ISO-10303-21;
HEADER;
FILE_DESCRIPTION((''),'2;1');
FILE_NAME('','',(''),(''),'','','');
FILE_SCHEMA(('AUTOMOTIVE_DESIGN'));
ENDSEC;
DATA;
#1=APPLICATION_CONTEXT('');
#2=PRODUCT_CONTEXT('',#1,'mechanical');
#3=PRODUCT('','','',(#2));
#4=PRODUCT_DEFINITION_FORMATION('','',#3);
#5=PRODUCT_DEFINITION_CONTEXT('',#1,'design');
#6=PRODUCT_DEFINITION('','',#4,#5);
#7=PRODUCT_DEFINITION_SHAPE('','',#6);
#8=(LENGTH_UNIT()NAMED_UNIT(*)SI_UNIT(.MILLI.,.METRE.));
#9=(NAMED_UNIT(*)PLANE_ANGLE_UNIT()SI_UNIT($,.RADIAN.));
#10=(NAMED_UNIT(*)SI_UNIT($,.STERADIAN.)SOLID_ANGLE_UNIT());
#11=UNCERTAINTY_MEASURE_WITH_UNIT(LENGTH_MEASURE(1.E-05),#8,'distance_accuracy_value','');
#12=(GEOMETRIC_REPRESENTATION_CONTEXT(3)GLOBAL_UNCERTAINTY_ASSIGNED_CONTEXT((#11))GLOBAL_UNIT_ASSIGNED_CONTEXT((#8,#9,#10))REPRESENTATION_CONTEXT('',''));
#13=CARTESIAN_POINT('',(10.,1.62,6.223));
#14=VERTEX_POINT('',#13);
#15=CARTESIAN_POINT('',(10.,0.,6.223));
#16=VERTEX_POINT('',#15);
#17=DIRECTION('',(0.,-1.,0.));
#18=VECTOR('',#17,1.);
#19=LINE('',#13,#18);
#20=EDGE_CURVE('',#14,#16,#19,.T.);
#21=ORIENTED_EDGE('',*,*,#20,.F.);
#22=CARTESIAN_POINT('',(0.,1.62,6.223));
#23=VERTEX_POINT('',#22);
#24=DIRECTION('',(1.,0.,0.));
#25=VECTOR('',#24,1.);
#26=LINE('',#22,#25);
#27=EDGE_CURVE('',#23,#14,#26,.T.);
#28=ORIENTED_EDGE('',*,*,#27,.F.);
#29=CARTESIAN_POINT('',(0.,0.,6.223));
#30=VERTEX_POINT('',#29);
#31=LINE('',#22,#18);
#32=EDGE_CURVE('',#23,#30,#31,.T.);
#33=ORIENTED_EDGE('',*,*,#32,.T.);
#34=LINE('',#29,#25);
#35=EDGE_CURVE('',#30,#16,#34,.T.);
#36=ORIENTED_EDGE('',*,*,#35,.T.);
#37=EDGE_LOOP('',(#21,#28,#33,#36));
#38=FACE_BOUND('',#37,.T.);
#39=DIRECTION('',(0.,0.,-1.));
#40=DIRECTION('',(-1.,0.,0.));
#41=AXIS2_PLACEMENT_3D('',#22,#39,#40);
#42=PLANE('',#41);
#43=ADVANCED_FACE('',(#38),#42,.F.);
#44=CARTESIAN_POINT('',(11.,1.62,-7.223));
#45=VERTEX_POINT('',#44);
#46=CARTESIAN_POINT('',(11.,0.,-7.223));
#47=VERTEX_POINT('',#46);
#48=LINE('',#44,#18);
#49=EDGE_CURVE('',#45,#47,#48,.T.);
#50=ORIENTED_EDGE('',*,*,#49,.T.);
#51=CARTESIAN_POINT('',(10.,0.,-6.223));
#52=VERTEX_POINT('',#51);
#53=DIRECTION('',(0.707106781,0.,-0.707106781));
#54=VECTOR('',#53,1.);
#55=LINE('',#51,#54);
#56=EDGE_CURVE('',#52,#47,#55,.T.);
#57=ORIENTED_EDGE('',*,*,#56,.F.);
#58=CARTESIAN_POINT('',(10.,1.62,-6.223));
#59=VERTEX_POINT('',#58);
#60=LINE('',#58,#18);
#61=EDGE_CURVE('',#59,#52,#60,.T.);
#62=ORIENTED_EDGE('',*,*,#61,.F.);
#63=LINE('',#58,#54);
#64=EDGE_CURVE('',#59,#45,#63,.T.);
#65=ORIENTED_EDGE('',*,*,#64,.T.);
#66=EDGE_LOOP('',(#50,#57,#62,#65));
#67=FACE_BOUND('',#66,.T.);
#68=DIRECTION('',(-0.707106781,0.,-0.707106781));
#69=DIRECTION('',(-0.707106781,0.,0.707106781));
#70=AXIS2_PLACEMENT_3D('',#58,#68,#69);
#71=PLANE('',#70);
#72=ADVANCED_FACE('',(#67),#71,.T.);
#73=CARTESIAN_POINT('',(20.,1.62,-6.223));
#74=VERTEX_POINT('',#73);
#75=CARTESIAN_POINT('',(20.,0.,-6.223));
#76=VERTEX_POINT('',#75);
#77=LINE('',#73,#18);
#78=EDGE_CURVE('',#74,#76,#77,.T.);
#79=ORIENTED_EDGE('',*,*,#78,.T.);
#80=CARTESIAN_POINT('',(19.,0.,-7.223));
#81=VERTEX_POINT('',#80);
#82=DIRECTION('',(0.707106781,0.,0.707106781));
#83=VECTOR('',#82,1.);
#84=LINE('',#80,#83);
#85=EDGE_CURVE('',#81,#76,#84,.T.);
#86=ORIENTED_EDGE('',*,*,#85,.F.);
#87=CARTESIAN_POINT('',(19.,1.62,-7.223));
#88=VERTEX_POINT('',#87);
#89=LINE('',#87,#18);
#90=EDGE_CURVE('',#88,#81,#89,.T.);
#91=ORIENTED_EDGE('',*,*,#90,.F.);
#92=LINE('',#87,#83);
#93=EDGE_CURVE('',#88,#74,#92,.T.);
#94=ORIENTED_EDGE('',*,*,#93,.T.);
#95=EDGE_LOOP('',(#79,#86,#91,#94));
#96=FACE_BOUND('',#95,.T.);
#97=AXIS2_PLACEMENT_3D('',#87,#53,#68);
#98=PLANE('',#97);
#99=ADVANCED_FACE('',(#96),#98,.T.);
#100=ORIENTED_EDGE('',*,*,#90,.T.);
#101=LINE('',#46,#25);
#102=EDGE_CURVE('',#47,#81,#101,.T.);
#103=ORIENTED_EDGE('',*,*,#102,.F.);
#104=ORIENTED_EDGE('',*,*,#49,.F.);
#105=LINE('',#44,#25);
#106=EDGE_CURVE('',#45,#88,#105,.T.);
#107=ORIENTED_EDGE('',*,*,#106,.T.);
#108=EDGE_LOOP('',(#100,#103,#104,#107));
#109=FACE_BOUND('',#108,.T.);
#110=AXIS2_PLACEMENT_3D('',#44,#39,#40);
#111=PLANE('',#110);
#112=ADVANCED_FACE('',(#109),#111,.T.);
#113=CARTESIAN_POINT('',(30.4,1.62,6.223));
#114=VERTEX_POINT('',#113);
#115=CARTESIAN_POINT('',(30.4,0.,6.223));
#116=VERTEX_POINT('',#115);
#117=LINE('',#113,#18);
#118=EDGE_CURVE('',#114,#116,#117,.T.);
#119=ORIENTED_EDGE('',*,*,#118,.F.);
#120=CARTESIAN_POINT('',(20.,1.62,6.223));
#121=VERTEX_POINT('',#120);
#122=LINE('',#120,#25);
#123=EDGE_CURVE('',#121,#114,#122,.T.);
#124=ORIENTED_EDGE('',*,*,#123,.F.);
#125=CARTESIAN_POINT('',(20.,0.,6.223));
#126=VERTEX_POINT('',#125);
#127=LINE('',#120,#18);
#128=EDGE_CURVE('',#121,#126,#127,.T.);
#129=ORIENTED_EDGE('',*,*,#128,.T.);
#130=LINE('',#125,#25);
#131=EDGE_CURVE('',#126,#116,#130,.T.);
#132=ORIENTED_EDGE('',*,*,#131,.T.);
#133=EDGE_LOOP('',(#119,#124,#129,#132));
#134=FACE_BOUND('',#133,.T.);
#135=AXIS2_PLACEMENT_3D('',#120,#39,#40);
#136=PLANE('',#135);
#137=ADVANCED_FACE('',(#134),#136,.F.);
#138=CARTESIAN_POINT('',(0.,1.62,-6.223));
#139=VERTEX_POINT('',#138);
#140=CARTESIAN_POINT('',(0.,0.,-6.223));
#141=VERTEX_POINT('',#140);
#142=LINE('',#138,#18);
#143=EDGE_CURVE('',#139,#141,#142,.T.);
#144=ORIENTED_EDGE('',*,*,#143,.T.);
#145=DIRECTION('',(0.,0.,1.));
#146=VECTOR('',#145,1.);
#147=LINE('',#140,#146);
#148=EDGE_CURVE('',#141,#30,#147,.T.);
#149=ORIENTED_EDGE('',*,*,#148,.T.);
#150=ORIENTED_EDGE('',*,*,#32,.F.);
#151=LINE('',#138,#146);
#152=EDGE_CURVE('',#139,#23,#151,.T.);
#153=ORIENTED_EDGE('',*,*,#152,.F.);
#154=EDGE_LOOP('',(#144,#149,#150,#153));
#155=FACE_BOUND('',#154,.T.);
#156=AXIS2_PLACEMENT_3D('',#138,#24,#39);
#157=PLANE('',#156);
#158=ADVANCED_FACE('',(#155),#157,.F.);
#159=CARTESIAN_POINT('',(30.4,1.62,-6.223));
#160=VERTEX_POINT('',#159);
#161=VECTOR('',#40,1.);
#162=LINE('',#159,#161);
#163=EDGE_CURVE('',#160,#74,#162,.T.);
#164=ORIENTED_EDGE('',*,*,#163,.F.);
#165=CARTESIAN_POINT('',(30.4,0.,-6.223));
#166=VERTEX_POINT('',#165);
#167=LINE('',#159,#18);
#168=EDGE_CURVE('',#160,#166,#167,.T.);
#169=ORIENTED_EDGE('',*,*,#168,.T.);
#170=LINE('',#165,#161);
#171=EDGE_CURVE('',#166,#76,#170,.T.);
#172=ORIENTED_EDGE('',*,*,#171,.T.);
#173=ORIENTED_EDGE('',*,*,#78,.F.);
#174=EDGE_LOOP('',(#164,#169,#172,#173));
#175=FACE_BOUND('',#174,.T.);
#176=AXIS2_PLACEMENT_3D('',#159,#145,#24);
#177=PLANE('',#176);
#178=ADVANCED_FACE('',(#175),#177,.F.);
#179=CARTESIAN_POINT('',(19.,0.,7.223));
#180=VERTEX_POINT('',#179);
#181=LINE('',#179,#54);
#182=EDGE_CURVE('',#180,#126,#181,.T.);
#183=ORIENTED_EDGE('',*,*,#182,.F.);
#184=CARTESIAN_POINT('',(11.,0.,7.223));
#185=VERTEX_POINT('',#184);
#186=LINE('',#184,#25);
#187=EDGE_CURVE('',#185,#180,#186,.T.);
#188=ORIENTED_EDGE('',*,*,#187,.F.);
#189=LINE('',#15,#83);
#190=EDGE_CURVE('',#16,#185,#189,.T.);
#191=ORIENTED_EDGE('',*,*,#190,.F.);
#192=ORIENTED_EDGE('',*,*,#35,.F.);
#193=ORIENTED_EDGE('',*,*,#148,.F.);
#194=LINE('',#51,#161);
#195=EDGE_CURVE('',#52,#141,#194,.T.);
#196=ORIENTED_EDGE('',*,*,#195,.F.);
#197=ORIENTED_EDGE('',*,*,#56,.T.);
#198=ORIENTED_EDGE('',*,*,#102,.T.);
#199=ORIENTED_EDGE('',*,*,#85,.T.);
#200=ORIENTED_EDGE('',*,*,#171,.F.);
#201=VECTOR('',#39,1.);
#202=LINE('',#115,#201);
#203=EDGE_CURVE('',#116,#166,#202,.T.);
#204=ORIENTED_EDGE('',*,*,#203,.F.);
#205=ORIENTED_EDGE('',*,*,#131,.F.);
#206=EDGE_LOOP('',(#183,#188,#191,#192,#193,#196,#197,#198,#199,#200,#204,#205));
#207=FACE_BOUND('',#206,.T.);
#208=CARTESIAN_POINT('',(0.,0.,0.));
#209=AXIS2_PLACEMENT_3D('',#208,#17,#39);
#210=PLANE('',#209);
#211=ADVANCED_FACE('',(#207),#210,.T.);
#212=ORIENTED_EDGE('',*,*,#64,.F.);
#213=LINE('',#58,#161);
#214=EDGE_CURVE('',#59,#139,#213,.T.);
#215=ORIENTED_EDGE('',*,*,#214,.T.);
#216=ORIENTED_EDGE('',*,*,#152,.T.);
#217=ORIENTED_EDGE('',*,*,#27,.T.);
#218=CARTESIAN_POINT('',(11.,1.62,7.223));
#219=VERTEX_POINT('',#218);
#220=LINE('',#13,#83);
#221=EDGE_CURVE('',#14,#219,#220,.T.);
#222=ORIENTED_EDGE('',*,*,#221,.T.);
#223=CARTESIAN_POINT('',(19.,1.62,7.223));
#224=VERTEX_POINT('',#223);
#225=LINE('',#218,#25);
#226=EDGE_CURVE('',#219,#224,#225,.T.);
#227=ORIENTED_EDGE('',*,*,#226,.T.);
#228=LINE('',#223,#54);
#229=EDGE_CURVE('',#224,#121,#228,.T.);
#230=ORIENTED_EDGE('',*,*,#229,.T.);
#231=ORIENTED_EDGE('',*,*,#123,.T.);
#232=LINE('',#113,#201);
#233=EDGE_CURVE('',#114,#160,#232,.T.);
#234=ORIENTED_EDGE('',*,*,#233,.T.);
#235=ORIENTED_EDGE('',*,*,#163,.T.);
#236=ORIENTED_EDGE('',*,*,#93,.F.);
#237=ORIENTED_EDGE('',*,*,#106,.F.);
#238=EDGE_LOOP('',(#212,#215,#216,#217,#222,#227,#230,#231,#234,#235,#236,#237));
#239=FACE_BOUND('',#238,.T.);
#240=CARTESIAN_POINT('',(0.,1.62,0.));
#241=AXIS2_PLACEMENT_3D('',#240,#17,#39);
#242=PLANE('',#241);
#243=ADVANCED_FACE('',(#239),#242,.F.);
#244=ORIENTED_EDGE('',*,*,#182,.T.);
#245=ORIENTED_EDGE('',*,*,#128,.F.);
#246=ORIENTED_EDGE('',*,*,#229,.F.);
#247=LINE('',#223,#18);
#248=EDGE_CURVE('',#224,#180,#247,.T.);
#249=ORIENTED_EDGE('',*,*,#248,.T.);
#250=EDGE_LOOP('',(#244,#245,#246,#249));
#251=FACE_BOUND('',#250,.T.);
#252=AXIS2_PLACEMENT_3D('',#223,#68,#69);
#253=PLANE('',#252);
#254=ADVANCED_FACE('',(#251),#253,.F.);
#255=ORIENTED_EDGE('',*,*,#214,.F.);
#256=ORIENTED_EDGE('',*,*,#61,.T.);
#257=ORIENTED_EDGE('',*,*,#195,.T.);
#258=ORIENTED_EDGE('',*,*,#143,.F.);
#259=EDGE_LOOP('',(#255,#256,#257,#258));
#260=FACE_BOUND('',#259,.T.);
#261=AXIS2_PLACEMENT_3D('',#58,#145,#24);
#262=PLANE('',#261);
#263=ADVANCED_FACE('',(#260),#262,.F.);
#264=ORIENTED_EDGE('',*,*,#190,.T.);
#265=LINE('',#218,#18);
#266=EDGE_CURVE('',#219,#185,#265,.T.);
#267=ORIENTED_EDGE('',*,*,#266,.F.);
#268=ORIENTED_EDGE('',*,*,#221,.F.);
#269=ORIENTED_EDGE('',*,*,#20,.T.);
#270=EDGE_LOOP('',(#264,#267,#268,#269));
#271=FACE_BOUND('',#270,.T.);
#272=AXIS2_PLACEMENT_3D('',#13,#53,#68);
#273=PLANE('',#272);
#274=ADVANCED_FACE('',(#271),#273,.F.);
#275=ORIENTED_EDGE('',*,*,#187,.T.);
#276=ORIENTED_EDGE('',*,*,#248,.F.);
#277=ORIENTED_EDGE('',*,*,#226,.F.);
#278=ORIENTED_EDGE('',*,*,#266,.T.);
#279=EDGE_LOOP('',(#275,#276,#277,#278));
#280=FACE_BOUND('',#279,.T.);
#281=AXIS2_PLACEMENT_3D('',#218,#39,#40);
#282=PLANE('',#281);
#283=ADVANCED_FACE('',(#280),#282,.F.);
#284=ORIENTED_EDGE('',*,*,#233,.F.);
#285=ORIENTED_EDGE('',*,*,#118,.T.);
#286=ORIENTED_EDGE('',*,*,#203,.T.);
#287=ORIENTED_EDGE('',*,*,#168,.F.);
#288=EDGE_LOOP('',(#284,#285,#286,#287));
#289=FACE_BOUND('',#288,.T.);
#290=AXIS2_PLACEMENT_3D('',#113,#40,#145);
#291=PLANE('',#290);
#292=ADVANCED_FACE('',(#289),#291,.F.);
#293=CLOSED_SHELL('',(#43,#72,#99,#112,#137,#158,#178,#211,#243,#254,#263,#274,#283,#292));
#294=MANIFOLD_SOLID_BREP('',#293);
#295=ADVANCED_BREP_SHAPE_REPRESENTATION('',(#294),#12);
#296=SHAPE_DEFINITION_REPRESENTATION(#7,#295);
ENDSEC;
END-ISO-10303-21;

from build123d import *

# Parameters (mm, degrees)
BOSS_EXTRUDE1_DEPTH = 1.62


with BuildPart() as part:
    # Sketch1 → Boss-Extrude1 (new body)
    with BuildSketch(Plane(origin=(0, 0, 0), x_dir=(1, 0, 0), z_dir=(0, 1, 0))):
        Polygon((0, -6.223), (10, -6.223), (11, -7.223), (19, -7.223), (20, -6.223), (30.4, -6.223), (30.4, 6.223), (20, 6.223), (19, 7.223), (11, 7.223), (10, 6.223), (0, 6.223), align=None)
    extrude(amount=BOSS_EXTRUDE1_DEPTH)


solid = part.part
